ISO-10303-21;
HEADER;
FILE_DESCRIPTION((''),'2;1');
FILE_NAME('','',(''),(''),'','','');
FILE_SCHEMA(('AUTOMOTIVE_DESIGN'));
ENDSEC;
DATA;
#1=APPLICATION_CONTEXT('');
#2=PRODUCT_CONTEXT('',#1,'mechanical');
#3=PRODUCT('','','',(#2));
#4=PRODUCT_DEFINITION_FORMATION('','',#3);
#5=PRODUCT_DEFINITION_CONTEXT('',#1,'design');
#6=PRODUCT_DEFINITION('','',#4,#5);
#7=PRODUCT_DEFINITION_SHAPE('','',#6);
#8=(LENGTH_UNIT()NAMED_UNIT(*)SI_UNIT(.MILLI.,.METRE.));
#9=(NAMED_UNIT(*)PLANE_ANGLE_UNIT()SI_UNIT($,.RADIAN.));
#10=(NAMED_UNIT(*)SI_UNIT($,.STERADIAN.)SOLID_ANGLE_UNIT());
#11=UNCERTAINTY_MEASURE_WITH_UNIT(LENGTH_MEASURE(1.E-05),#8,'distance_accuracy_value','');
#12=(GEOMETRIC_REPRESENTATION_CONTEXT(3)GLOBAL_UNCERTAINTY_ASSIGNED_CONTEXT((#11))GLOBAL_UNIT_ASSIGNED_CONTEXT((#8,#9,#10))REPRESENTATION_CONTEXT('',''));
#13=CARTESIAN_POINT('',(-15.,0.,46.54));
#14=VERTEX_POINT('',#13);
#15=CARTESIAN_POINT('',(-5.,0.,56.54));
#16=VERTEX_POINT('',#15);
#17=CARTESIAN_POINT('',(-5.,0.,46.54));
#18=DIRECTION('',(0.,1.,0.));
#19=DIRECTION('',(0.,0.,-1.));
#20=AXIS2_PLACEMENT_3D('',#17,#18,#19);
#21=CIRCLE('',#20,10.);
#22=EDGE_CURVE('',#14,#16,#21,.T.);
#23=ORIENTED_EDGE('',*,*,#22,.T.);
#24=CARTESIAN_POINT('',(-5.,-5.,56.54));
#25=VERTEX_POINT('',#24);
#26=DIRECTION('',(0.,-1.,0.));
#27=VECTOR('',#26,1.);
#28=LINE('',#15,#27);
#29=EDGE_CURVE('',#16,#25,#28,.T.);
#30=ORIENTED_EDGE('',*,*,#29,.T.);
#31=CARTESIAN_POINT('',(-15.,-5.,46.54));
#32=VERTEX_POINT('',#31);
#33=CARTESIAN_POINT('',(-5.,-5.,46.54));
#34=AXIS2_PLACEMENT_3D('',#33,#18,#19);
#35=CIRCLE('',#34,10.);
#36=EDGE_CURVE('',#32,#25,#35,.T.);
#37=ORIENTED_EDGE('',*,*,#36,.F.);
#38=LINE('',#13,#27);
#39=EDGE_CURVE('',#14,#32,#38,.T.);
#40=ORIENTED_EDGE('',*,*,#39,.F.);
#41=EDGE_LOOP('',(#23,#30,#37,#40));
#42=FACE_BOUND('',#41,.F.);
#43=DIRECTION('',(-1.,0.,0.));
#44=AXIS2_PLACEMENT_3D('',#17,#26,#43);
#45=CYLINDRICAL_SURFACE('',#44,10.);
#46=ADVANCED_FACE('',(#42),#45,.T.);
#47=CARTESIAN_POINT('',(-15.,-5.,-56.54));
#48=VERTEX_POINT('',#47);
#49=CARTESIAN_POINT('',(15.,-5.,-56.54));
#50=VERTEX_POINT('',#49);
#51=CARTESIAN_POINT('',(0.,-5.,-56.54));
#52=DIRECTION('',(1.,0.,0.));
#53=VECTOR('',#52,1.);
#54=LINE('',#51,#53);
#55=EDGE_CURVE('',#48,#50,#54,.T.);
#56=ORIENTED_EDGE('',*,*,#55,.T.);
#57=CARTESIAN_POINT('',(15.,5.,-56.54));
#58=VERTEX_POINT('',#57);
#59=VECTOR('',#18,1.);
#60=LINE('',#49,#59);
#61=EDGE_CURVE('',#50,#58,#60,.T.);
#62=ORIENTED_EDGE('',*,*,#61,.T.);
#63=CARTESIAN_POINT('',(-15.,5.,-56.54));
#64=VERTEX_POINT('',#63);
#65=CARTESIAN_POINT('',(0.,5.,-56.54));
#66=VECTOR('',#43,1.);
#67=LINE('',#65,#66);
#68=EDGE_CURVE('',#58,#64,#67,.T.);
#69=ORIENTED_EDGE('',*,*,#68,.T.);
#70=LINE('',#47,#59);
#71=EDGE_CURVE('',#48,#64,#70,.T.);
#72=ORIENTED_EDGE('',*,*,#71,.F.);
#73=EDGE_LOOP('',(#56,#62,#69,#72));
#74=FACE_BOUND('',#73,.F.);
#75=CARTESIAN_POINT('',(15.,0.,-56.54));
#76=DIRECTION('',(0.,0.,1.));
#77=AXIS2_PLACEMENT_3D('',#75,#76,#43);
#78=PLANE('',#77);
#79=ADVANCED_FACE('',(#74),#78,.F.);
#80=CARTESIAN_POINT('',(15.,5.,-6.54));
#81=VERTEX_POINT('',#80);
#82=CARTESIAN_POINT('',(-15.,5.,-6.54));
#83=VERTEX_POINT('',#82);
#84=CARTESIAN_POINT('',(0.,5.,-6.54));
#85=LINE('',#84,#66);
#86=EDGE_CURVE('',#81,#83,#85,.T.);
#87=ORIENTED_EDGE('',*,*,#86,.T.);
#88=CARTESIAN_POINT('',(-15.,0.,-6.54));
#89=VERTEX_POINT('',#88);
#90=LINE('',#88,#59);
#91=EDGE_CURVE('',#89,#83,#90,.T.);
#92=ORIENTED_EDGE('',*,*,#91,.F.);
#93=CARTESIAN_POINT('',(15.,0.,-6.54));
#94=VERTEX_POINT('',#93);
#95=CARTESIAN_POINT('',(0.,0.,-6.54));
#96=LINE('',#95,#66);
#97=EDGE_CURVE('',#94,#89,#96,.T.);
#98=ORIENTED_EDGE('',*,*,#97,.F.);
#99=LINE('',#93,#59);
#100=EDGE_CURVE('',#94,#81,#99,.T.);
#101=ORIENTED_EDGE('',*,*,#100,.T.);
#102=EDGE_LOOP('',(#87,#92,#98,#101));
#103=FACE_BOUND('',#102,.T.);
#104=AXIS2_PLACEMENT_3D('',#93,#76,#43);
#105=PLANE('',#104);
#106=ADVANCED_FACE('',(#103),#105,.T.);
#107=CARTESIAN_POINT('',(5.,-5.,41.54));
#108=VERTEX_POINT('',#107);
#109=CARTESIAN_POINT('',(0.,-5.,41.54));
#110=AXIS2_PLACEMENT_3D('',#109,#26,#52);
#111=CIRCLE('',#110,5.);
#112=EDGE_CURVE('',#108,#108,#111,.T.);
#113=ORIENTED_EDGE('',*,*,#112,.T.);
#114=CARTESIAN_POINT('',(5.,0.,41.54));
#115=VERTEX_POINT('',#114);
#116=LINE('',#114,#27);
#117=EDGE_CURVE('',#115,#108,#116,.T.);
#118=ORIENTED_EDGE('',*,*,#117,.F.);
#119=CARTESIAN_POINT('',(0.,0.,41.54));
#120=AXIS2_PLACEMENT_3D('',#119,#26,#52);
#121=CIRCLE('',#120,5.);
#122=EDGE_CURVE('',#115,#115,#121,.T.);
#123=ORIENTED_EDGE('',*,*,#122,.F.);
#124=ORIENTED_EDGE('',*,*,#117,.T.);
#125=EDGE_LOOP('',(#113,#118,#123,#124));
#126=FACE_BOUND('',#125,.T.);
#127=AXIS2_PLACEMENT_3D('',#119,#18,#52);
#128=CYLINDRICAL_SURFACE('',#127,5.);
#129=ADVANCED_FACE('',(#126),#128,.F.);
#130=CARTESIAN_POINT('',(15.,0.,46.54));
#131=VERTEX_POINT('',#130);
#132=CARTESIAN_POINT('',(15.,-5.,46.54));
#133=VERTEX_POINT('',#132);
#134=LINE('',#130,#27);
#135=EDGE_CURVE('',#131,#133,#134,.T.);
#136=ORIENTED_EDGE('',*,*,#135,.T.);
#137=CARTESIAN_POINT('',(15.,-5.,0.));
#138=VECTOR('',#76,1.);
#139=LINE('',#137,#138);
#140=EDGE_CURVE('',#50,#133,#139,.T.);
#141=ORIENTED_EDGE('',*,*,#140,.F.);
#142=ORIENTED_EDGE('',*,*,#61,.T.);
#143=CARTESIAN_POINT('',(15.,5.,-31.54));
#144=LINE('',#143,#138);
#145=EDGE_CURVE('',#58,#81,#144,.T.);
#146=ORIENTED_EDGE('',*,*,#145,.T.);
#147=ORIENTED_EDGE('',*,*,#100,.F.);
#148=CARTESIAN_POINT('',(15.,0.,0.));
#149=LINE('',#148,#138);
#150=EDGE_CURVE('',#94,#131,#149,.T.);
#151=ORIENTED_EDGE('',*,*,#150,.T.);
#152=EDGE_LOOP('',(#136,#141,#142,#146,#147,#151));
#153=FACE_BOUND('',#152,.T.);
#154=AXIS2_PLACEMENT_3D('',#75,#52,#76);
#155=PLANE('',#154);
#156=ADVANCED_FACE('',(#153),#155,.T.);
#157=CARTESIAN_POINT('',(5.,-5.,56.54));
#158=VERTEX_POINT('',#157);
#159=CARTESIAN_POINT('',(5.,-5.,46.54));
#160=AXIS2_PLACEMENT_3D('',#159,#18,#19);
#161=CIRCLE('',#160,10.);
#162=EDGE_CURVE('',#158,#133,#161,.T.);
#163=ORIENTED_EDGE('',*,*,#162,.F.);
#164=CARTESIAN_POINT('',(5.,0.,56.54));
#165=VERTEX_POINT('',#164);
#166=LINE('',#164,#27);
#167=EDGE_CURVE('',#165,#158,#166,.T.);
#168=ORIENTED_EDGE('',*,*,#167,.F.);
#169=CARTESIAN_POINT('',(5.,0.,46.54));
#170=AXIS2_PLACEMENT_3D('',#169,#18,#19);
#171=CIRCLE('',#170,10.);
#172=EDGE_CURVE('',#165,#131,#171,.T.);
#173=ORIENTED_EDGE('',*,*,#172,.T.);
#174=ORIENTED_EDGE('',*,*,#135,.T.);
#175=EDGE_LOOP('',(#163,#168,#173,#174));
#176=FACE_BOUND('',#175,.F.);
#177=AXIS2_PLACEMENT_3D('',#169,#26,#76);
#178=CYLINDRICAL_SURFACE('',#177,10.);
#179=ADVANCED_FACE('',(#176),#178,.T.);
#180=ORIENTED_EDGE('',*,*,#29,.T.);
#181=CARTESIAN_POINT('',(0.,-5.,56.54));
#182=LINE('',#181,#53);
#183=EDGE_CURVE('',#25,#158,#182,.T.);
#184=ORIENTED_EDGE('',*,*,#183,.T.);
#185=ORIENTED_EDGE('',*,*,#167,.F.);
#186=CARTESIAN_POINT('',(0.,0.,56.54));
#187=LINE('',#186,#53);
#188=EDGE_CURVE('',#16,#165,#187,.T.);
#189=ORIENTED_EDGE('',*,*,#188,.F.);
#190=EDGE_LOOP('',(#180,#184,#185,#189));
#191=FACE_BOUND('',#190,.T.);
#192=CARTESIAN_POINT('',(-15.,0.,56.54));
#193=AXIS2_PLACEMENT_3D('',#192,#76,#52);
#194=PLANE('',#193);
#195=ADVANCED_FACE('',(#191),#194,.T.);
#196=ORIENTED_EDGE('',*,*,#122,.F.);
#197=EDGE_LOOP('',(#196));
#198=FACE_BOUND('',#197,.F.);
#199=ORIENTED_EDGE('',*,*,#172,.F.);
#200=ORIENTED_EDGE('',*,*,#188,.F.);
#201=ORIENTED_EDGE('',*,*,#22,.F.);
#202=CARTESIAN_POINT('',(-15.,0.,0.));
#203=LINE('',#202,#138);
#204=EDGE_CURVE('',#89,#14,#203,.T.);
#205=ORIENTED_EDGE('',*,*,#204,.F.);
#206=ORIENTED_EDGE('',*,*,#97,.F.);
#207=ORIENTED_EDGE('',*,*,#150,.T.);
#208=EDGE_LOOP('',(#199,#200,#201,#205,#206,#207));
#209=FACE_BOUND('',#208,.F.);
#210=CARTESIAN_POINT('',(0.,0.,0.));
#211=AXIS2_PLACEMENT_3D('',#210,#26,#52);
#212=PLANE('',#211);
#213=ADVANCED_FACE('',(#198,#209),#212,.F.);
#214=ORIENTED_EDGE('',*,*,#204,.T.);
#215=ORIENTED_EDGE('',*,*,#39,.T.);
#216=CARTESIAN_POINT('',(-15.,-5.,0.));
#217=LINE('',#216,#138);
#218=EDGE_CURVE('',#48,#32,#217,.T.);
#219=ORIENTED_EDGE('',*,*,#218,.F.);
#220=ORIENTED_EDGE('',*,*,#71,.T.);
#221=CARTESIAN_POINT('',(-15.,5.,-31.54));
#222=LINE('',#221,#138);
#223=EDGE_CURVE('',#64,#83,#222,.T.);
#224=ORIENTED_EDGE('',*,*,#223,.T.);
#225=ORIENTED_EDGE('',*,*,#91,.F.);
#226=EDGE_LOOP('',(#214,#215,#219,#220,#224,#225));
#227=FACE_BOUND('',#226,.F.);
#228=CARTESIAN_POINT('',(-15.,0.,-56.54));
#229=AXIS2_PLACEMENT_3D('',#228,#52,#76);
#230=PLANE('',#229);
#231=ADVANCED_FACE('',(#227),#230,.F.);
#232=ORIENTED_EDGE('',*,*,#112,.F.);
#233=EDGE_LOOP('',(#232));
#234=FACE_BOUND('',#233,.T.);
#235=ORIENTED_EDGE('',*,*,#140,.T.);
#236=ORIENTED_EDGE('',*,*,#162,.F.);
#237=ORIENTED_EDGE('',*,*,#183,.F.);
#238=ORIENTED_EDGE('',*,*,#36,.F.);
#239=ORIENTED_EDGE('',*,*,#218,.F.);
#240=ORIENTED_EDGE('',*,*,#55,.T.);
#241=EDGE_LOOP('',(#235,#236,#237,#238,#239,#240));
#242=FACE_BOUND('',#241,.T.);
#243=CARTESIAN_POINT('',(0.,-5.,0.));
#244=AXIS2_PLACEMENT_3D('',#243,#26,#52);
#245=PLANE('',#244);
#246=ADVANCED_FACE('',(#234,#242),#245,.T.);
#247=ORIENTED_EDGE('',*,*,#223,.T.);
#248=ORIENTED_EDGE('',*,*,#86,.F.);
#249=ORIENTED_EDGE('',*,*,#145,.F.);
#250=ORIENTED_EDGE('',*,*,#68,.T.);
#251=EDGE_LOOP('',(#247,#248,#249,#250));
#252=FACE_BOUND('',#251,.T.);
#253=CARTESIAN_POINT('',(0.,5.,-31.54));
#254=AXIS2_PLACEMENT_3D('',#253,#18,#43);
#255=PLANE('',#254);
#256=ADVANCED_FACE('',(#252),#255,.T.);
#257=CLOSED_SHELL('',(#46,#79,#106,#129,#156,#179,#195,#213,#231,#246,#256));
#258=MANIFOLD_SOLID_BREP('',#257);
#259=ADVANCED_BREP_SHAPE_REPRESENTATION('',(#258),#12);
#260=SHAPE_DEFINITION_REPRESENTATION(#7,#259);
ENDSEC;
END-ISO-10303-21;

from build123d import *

# Parameters (mm, degrees)
F0_W     = 30
F0_H     = 113.08
F0_R     = 5
F1_DEPTH = 5
F2_R     = 10
F3_W     = 30
F3_H     = 50
F4_DEPTH = 5


with BuildPart() as f1:
    # F0 (on Front) → F1 (new body)
    with BuildSketch(Plane.XZ):
        Rectangle(F0_W, F0_H)
        with Locations((0, 41.54)):
            Circle(F0_R, mode=Mode.SUBTRACT)
    extrude(amount=F1_DEPTH)

    # F2
    f2_edges = [f1.edges().sort_by_distance(p)[0] for p in [
        (15, -2.5, 56.54),
        (-15, -2.5, 56.54),
    ]]
    fillet(f2_edges, radius=F2_R)

    # F3 (on face) → F4 (join)
    with BuildSketch(Plane(origin=(0, 0, 0), x_dir=(-1, 0, 0), z_dir=(0, 1, 0))):
        with Locations((0, -31.54)):
            Rectangle(F3_W, F3_H)
    extrude(amount=F4_DEPTH)


solid = f1.part
